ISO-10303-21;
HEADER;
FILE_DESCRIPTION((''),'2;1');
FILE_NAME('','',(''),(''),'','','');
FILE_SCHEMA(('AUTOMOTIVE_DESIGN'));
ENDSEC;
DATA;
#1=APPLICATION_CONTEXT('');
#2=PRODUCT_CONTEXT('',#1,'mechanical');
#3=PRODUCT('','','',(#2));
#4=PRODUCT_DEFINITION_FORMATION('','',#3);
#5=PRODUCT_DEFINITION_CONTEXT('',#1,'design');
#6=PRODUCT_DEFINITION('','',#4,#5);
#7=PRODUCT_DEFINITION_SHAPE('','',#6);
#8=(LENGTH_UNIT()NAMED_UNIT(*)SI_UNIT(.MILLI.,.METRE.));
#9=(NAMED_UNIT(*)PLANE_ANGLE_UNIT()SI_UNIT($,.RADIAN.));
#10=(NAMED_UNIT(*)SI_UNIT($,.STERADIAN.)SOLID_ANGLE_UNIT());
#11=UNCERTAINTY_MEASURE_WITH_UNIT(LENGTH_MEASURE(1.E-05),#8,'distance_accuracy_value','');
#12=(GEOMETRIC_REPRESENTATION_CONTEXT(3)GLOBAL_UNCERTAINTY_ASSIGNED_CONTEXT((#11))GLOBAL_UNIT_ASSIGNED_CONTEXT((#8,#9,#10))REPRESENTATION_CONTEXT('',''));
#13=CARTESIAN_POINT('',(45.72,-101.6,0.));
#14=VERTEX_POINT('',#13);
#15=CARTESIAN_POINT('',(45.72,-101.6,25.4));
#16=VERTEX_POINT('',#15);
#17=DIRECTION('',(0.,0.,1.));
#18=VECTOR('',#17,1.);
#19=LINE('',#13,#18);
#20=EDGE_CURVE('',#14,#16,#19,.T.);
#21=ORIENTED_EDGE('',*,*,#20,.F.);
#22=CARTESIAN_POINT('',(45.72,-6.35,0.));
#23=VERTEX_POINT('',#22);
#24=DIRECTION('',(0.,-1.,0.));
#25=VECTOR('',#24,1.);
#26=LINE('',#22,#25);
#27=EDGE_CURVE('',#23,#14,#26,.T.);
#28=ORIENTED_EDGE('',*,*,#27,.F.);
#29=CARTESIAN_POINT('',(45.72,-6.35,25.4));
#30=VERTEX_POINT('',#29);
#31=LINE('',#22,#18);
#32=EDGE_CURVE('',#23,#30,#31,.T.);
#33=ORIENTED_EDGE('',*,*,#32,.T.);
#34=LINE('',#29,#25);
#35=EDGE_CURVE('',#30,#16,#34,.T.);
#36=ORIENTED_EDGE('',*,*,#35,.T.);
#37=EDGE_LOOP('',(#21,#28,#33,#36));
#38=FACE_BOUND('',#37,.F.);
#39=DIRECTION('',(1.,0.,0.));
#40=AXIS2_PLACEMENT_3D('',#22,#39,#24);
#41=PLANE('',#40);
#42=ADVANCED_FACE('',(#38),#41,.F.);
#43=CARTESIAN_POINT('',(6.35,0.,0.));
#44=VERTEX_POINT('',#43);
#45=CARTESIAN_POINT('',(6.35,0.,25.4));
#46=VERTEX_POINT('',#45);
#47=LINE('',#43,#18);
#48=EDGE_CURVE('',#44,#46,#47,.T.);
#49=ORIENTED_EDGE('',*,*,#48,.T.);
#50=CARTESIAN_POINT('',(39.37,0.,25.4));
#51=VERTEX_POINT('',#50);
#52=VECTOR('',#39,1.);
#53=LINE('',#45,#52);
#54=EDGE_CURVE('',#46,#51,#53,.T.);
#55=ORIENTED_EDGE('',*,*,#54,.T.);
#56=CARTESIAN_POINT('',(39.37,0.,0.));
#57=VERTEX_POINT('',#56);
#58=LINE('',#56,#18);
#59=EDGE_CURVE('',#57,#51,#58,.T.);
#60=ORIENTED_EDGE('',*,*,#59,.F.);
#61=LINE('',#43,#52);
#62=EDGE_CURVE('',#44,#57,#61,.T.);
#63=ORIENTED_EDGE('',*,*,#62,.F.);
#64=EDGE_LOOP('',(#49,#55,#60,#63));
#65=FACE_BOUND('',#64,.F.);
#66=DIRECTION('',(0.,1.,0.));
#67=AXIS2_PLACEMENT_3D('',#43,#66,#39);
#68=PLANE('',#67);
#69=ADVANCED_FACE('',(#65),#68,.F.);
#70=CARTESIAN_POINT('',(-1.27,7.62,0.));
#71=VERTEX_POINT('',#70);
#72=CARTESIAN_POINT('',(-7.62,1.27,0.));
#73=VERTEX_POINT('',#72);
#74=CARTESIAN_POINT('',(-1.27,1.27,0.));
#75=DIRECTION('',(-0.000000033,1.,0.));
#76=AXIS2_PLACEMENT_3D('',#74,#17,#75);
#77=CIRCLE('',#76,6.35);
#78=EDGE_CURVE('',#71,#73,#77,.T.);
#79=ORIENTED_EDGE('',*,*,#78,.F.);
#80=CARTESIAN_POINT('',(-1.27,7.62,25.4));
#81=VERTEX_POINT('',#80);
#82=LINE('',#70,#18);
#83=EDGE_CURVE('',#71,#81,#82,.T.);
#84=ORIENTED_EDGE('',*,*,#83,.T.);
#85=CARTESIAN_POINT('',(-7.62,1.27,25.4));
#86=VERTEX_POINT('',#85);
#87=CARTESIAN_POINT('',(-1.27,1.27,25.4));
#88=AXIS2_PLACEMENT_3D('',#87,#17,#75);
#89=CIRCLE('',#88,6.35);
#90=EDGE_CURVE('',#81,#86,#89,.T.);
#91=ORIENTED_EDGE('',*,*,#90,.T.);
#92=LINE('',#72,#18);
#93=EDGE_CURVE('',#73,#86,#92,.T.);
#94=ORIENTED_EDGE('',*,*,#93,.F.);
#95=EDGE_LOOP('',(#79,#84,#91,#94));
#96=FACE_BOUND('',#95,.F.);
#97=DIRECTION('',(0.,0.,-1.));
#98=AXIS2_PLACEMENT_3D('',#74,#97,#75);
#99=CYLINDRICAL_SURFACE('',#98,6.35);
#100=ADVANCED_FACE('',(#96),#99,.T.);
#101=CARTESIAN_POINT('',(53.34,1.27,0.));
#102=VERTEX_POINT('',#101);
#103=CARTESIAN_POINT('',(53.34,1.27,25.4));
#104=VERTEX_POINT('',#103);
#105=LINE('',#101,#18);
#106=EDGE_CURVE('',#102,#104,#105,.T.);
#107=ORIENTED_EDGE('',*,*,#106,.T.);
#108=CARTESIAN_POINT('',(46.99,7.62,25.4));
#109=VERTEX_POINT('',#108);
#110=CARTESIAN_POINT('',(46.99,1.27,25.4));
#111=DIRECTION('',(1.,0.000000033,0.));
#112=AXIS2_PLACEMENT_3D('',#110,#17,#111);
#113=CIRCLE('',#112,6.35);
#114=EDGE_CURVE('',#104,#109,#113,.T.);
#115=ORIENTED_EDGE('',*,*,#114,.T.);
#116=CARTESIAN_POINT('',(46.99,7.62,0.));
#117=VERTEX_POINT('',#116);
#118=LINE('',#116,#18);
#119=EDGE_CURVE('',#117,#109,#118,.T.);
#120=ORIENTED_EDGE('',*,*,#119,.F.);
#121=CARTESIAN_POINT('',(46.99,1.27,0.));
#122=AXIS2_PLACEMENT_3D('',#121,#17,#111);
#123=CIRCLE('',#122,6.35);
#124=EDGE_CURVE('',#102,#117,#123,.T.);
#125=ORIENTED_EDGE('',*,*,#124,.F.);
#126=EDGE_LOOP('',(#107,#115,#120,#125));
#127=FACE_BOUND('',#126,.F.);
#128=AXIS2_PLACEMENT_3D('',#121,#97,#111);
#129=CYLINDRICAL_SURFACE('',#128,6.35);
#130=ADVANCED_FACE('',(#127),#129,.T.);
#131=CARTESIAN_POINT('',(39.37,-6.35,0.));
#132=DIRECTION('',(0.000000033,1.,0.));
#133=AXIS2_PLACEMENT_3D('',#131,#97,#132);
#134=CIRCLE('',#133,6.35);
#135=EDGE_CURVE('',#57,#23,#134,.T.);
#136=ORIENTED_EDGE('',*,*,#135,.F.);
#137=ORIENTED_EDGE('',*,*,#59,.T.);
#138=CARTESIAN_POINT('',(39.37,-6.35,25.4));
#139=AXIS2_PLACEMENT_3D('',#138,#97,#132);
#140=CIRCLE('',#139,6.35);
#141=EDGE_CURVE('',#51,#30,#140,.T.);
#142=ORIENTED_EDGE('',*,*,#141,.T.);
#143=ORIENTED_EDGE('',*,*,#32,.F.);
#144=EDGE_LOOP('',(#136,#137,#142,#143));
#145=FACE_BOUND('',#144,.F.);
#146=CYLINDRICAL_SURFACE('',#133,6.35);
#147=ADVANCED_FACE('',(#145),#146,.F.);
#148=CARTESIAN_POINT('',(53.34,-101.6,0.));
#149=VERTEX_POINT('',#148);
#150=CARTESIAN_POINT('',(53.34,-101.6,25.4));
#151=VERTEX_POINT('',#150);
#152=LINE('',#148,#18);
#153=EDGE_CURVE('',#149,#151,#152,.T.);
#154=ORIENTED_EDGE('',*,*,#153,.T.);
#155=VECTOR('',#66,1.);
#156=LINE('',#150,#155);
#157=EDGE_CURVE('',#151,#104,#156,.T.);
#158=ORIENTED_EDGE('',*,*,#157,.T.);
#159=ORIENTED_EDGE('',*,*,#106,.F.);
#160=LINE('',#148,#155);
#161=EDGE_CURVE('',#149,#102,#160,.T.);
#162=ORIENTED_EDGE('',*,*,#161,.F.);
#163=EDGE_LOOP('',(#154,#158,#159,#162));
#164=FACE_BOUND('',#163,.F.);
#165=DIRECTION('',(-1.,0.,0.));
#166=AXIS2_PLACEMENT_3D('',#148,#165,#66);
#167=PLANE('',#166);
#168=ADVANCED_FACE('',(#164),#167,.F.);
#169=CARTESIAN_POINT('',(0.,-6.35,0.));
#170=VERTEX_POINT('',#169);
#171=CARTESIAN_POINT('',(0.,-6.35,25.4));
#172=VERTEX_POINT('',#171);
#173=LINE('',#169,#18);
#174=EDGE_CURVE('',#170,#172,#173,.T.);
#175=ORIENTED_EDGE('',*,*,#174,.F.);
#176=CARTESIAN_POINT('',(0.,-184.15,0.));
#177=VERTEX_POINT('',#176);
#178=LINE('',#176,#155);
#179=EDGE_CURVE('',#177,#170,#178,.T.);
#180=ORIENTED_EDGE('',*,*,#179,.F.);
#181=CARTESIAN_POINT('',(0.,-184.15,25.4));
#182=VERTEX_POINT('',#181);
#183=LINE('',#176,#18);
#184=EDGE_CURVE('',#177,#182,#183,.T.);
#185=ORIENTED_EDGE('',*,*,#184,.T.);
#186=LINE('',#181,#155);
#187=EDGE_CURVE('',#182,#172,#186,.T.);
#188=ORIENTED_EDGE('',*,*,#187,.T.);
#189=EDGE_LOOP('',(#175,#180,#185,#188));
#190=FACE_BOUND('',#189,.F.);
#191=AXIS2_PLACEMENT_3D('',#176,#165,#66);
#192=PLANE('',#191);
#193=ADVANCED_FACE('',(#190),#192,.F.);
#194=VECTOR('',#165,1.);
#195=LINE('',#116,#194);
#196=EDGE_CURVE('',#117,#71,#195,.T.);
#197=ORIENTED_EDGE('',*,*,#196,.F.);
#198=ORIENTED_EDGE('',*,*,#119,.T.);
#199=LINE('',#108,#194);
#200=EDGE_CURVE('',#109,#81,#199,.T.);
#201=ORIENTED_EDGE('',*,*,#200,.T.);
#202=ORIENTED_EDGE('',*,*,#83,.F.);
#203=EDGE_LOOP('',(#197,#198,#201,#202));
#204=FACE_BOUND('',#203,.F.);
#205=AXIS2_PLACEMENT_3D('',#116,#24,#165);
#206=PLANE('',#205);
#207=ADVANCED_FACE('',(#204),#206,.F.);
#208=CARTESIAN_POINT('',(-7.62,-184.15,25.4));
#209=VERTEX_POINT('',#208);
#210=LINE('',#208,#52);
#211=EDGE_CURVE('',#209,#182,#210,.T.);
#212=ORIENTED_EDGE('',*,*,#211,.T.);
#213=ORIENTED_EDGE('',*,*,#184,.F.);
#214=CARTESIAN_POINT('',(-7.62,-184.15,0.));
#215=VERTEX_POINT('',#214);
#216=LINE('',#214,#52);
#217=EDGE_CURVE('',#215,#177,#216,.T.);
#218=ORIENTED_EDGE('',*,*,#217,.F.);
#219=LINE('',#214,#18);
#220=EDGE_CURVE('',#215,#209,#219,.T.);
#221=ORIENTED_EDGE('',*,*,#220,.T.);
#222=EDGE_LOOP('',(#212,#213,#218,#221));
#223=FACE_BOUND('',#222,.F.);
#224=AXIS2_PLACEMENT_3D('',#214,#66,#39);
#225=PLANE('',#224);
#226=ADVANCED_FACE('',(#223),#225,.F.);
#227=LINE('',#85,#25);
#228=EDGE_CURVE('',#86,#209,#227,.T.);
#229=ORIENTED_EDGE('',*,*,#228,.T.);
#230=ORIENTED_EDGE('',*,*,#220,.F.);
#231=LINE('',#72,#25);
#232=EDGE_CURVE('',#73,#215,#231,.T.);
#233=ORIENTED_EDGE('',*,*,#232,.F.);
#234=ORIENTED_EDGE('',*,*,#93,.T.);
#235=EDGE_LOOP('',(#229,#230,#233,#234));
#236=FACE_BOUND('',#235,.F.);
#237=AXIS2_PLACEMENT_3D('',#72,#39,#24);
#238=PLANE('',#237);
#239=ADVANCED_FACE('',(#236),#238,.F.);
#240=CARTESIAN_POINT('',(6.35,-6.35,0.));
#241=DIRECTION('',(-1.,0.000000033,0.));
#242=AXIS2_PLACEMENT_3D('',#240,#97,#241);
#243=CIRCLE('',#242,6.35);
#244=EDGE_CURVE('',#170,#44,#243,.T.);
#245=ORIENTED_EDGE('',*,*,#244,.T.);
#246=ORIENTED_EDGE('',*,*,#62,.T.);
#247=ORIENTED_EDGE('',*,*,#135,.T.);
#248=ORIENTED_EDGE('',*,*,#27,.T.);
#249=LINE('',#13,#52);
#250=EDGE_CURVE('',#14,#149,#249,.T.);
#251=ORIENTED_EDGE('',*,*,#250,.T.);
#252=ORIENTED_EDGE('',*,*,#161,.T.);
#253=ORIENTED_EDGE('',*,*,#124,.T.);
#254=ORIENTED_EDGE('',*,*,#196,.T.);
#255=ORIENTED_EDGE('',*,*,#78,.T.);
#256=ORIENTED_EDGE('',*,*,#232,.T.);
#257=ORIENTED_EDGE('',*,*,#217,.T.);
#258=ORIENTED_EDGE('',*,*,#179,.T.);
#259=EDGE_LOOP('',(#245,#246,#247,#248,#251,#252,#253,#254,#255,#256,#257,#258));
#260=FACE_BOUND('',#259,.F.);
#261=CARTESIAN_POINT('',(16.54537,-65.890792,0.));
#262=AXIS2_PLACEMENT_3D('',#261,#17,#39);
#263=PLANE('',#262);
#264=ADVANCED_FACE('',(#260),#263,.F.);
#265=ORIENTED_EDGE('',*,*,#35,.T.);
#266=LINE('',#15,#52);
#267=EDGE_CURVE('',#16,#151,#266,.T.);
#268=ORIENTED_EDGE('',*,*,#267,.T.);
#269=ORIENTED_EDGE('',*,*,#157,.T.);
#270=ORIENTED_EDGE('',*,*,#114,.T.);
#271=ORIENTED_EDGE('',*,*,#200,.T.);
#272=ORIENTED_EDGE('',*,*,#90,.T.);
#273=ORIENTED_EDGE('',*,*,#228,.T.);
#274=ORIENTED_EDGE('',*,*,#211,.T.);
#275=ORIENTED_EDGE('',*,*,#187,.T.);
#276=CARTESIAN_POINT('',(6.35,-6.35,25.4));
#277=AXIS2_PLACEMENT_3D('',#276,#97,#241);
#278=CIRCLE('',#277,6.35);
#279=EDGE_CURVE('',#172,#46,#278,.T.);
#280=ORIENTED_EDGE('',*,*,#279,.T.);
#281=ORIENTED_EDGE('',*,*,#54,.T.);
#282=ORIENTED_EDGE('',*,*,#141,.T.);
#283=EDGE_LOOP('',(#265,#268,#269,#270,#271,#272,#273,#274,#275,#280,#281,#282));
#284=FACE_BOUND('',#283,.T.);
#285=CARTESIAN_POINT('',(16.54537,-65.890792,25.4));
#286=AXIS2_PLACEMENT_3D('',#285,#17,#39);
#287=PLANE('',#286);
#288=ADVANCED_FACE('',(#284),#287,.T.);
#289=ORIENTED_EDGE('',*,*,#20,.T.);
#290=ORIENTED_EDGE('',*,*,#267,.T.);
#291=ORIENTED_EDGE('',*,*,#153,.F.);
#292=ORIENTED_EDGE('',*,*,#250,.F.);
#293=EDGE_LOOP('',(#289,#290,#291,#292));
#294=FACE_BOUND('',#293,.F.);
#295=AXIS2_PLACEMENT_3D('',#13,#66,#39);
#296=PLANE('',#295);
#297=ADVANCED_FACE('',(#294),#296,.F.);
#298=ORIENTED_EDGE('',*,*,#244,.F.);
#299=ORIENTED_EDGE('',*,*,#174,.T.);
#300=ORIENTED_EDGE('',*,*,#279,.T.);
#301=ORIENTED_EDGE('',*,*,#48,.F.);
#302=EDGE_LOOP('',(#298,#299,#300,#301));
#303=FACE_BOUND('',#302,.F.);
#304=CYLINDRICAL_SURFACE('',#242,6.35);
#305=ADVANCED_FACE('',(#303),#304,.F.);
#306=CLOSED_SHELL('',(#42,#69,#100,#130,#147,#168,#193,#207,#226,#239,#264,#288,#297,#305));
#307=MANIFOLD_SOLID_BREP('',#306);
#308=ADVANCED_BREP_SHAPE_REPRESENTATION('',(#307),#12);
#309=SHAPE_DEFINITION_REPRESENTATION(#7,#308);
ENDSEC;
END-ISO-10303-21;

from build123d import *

# Parameters (mm, degrees)
F1_DEPTH = 25.4


with BuildPart() as f1:
    # F0 (on Top) → F1 (new body)
    with BuildSketch(Plane.XY):
        with BuildLine():
            ThreePointArc((0, -6.35), (1.859872, -1.859872), (6.35, 0))
            Line((6.35, 0), (39.37, 0))
            ThreePointArc((39.37, 0), (43.860128, -1.859872), (45.72, -6.35))
            Line((45.72, -6.35), (45.72, -101.6))
            Line((45.72, -101.6), (53.34, -101.6))
            Line((53.34, -101.6), (53.34, 1.27))
            ThreePointArc((53.34, 1.27), (51.480128, 5.760128), (46.99, 7.62))
            Line((46.99, 7.62), (-1.27, 7.62))
            ThreePointArc((-1.27, 7.62), (-5.760128, 5.760128), (-7.62, 1.27))
            Line((-7.62, 1.27), (-7.62, -184.15))
            Line((-7.62, -184.15), (0, -184.15))
            Line((0, -184.15), (0, -6.35))
        make_face()
    extrude(amount=F1_DEPTH)


solid = f1.part
